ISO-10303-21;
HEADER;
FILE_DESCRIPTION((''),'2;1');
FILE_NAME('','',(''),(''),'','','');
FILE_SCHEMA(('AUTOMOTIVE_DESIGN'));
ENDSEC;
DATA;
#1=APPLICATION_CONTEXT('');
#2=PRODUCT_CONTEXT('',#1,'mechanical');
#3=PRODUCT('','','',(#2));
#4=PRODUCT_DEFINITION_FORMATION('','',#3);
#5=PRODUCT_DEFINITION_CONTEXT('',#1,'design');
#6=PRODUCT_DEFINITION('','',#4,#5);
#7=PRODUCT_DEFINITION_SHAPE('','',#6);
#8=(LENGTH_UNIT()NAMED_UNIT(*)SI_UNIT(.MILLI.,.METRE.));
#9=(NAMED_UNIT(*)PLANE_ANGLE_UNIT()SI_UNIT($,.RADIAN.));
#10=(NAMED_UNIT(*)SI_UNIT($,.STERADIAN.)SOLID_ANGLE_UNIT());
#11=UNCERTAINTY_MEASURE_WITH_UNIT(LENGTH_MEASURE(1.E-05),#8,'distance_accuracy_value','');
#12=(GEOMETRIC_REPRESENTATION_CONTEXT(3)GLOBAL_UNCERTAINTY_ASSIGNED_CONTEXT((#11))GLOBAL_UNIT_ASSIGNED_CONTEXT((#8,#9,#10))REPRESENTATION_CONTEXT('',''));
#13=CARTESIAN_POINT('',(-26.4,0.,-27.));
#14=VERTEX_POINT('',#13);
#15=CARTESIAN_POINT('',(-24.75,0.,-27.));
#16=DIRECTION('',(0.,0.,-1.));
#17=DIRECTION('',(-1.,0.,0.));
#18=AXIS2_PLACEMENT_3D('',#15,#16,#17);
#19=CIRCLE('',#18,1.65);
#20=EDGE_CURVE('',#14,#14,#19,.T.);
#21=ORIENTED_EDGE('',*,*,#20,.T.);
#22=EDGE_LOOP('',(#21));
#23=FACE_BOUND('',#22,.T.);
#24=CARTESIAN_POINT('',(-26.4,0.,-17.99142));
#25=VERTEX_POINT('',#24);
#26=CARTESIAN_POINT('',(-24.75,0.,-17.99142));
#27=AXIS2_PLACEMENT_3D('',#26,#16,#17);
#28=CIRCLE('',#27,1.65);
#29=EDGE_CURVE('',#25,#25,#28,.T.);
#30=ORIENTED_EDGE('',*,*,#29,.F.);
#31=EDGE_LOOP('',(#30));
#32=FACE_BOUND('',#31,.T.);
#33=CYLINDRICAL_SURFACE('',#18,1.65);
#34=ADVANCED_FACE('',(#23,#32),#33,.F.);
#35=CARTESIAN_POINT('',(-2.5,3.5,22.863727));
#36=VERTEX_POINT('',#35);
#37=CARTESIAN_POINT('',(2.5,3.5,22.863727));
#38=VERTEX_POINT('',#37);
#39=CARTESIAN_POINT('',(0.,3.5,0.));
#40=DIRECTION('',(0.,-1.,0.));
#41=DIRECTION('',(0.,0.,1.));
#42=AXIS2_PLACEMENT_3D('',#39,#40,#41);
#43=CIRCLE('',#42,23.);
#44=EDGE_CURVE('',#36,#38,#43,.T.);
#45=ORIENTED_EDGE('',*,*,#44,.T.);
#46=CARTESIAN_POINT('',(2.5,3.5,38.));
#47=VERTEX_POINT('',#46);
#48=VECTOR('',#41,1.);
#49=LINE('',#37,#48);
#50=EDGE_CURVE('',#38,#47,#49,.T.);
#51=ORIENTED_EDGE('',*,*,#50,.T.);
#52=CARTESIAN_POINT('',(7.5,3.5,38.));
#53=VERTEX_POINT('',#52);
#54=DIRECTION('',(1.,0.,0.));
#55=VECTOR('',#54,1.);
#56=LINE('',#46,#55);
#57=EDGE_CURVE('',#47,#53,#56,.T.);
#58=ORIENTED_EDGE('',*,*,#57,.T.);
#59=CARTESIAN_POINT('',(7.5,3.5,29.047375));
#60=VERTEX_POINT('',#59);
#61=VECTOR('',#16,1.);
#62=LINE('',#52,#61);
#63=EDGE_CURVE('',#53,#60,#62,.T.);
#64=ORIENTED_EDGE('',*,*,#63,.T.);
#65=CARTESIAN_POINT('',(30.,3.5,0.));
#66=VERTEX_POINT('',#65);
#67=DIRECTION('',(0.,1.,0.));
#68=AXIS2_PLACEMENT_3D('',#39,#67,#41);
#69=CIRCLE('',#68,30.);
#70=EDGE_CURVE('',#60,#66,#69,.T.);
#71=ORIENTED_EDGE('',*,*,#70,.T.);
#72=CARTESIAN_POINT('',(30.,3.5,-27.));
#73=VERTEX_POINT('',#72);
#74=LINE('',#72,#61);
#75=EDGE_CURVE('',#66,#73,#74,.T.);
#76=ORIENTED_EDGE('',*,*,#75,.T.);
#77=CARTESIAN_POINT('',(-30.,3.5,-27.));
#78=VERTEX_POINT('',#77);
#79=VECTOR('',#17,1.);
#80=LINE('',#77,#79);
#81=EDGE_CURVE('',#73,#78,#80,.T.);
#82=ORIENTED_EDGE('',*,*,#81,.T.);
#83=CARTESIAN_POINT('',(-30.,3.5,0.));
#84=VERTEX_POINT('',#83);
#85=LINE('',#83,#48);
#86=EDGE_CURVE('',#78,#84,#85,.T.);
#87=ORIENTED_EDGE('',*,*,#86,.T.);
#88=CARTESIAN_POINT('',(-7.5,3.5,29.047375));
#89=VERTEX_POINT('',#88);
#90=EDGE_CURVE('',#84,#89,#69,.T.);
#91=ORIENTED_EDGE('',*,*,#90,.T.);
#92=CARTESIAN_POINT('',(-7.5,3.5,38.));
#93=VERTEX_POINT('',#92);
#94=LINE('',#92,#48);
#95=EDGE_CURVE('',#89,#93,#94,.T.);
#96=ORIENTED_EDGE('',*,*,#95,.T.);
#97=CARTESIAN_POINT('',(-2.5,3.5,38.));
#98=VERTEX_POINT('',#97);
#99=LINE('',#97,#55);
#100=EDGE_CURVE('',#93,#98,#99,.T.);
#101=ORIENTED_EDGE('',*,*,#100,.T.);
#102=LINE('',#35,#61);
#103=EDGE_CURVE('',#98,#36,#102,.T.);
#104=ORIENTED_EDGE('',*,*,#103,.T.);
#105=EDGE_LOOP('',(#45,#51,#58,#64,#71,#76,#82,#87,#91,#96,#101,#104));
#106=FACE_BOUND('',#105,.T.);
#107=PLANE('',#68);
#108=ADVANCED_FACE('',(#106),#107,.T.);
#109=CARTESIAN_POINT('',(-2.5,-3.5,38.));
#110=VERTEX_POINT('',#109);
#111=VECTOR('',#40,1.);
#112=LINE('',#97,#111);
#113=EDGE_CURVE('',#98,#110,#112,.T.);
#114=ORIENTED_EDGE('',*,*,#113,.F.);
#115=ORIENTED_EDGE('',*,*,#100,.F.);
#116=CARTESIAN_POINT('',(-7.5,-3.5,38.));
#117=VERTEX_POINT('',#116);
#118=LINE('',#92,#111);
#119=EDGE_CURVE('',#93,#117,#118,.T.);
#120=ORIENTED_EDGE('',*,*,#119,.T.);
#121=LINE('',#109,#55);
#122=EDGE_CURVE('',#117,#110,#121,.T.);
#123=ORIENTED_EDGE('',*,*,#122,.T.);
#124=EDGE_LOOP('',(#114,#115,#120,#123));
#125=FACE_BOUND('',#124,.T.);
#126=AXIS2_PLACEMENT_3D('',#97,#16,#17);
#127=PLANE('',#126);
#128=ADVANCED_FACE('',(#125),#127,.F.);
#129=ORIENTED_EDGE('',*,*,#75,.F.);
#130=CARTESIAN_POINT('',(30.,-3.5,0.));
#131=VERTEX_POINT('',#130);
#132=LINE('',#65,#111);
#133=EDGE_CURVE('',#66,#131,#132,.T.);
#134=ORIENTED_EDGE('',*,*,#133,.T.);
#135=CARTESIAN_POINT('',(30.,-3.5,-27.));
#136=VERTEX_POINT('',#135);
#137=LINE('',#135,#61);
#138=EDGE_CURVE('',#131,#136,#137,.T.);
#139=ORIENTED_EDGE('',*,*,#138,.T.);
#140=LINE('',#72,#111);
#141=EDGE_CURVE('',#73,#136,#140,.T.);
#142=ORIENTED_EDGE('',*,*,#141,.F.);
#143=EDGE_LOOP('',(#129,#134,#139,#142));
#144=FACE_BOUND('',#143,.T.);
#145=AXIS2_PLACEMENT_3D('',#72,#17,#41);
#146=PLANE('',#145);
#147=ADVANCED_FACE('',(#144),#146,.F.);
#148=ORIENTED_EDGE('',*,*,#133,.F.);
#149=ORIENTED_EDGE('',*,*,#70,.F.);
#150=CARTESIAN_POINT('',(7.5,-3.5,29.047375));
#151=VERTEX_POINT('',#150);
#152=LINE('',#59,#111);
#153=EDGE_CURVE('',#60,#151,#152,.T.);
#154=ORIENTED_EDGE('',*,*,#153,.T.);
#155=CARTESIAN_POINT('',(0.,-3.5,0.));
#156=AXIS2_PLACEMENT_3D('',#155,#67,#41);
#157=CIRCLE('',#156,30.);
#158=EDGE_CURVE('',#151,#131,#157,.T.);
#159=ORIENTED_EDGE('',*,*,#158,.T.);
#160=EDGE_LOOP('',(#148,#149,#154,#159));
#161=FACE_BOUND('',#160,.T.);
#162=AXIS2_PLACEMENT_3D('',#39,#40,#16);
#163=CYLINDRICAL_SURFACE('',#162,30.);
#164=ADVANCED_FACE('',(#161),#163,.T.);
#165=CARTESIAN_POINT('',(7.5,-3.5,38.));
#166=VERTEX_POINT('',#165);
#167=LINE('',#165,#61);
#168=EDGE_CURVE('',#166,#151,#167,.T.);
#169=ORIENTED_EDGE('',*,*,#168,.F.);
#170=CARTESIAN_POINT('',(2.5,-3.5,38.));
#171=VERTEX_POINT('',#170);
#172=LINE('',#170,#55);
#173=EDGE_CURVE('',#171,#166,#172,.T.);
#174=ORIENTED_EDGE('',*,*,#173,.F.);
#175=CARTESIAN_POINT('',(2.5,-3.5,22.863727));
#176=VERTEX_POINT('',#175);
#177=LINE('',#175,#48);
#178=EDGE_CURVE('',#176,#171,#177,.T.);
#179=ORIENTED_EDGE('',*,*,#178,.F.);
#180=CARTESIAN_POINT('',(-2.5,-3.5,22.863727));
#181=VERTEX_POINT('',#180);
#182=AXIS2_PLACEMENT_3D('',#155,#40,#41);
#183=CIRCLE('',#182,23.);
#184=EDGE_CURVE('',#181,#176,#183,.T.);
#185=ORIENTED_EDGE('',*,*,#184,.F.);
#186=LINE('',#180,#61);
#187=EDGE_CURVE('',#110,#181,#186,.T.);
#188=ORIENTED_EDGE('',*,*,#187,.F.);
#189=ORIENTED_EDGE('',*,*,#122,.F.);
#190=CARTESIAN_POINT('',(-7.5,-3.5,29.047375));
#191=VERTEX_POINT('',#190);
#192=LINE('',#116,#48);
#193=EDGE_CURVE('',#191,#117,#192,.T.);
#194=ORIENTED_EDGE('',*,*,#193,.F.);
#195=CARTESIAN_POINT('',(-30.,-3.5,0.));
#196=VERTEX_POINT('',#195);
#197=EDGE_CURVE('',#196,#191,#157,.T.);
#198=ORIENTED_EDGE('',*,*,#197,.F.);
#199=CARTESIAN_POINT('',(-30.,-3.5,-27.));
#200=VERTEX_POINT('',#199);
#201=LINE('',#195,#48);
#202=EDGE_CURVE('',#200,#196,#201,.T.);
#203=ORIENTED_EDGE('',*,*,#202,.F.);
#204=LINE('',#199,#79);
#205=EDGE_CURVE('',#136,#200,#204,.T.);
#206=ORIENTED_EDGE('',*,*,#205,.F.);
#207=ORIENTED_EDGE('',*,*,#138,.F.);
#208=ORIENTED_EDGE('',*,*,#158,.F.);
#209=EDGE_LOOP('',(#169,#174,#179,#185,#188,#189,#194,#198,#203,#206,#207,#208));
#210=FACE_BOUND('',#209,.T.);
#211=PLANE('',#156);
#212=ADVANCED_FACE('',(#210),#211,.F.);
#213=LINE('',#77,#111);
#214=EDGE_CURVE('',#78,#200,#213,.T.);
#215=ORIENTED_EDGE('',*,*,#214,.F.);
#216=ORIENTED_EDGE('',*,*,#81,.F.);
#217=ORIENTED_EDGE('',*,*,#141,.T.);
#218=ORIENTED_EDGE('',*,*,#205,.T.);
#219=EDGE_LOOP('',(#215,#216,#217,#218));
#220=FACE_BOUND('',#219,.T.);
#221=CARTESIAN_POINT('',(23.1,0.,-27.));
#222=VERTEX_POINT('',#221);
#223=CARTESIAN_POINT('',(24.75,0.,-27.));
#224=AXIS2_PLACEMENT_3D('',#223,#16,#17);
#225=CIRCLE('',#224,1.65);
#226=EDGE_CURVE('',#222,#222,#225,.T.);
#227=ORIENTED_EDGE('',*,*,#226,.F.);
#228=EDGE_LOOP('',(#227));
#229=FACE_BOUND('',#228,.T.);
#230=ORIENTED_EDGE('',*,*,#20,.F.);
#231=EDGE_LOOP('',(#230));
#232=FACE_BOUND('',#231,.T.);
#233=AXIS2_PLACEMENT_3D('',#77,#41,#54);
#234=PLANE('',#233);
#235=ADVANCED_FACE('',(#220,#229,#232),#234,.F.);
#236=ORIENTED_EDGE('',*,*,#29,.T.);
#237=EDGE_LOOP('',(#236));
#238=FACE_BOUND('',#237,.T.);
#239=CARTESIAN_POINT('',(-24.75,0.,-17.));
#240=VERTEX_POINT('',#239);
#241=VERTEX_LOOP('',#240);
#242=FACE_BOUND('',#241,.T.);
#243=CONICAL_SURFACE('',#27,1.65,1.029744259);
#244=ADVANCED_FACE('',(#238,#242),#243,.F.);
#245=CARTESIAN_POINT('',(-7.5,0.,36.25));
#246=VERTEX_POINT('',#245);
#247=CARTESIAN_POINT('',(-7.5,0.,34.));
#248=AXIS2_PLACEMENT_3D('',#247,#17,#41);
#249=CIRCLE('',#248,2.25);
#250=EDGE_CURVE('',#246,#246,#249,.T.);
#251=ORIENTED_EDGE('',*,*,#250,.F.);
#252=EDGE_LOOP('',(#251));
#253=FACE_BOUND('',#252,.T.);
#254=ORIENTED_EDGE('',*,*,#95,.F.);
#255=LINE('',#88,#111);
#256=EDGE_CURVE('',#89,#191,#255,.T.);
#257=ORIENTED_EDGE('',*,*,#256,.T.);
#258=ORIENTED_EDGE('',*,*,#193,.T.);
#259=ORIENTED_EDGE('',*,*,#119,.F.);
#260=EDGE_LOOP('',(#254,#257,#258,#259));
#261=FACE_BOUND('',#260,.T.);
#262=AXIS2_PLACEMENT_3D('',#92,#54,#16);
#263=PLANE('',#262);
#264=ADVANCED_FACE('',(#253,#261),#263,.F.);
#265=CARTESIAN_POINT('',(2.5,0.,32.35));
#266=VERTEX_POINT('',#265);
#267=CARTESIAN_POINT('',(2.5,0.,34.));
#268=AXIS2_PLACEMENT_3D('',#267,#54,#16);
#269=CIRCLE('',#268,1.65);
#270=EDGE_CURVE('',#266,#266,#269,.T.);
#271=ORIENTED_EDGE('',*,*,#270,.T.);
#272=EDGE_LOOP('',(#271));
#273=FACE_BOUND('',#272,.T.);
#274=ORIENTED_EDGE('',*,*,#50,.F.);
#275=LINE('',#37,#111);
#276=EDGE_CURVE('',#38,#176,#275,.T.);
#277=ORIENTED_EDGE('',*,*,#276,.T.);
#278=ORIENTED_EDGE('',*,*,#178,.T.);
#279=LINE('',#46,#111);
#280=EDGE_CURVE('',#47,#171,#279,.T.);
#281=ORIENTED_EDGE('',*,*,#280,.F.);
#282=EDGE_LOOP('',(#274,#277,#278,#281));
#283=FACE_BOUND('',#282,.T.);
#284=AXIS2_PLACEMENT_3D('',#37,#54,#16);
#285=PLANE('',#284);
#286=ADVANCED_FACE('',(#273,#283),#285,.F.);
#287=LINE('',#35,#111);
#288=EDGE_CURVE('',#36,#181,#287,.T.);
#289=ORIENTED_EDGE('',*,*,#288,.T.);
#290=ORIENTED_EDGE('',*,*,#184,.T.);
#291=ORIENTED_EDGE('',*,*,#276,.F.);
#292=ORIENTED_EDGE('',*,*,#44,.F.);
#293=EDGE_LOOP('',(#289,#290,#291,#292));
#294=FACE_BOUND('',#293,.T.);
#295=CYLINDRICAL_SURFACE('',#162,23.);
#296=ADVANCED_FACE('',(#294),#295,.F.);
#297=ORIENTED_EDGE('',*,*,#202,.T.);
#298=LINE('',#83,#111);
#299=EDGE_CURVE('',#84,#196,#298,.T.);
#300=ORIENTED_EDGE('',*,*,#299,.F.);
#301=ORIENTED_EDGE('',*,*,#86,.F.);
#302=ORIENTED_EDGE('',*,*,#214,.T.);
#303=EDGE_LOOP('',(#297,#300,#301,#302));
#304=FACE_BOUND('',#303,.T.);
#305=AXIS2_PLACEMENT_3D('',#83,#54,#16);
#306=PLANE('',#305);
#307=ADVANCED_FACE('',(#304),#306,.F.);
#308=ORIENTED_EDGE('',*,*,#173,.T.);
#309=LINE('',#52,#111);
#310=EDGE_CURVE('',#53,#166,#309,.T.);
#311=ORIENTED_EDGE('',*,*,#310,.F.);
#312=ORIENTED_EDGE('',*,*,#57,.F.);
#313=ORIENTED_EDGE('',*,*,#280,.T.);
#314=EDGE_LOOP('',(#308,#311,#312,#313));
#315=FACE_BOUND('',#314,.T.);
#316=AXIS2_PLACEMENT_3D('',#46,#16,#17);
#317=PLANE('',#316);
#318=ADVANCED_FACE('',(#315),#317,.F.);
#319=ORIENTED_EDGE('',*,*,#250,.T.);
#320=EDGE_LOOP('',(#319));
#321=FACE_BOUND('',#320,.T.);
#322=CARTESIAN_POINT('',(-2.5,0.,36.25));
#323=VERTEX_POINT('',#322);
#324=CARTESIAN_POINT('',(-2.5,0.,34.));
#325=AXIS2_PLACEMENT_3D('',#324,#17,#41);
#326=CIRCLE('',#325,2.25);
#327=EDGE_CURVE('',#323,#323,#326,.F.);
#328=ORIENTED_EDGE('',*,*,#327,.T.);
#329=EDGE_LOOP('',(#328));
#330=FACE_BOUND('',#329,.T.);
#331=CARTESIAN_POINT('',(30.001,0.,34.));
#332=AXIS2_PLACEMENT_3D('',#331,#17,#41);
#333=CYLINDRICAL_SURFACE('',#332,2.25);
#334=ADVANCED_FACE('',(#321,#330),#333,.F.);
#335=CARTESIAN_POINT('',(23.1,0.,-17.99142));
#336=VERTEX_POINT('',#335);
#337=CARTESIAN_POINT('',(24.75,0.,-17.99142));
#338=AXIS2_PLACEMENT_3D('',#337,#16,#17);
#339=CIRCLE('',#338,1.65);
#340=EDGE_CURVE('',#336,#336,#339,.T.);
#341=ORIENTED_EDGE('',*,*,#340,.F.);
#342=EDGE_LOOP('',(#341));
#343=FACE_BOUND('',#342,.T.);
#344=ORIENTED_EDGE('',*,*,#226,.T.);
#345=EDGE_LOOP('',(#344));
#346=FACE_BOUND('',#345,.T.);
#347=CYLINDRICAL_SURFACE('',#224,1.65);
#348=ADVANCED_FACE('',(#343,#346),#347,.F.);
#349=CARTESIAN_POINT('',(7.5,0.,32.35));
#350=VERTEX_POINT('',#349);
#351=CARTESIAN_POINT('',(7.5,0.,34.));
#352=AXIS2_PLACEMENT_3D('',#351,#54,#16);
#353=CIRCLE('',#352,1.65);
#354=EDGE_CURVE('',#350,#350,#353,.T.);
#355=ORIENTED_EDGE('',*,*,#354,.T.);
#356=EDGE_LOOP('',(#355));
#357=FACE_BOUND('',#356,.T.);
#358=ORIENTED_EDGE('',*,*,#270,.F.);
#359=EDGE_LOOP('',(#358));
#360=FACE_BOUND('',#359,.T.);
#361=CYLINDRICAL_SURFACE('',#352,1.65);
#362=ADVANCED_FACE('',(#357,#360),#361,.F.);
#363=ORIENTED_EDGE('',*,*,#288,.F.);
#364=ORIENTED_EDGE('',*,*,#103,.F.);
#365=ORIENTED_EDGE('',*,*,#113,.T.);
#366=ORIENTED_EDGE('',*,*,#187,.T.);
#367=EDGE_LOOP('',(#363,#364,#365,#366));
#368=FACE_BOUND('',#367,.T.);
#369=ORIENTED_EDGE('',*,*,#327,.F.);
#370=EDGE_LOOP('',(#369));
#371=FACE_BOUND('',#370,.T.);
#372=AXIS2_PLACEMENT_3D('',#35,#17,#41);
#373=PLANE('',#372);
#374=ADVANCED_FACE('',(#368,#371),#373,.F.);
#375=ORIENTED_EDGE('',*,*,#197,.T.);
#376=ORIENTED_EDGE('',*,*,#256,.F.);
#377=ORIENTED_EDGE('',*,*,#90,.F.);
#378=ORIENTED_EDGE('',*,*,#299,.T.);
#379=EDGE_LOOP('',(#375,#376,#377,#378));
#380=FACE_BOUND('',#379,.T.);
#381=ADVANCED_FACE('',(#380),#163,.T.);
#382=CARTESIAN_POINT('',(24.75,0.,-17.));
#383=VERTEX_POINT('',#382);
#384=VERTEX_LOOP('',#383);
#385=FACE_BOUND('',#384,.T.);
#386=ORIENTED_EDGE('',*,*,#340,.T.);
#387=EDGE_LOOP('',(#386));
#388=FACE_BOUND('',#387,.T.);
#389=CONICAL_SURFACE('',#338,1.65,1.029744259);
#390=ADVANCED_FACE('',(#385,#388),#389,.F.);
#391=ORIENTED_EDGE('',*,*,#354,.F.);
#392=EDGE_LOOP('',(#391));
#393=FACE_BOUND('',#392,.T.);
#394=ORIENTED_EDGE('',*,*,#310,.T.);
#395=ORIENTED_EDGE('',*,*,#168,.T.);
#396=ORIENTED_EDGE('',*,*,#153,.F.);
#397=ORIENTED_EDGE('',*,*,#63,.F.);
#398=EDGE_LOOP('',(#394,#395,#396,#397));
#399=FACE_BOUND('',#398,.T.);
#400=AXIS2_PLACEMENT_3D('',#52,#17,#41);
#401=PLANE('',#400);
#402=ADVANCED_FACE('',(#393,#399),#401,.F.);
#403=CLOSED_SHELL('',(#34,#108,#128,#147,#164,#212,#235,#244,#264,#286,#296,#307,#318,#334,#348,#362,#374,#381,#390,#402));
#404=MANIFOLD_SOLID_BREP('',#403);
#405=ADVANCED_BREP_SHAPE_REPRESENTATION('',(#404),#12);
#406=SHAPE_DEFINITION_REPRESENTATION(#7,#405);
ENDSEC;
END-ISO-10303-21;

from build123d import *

# Parameters (mm, degrees)
BOSS_EXTRUDE1_DEPTH   = 3.5
M4_TAPPED_HOLE2_D     = 3.3
M4_TAPPED_HOLE2_DEPTH = 9.008579979
M4_TAPPED_HOLE2_TIP   = 0.991420021
CUT_EXTRUDE1_REACH    = 55.502
SKETCH4_R             = 2.25
M4_TAPPED_HOLE1_D     = 3.3
M4_TAPPED_HOLE1_DEPTH = 9.108579979
M4_TAPPED_HOLE1_TIP   = 0.991420021


with BuildPart() as part:
    # Sketch1 → Boss-Extrude1 (new, symmetric)
    with BuildSketch(Plane(origin=(0, 0, 0), x_dir=(1, 0, 0), z_dir=(0, 1, 0))):
        with BuildLine():
            Line((-30, 0), (-30, 27))
            Line((-30, 27), (30, 27))
            Line((30, 27), (30, 0))
            ThreePointArc((30, 0), (23.717082451, -18.371173071), (7.5, -29.047375097))
            Line((7.5, -29.047375097), (7.5, -38))
            Line((7.5, -38), (2.5, -38))
            Line((2.5, -38), (2.5, -22.86372673))
            ThreePointArc((2.5, -22.86372673), (0, 23), (-2.5, -22.86372673))
            Line((-2.5, -22.86372673), (-2.5, -38))
            Line((-2.5, -38), (-7.5, -38))
            Line((-7.5, -38), (-7.5, -29.047375097))
            ThreePointArc((-7.5, -29.047375097), (-23.717082451, -18.371173071), (-30, 0))
        make_face()
    extrude(amount=BOSS_EXTRUDE1_DEPTH, both=True)

    # M4 Tapped Hole2
    with Locations(Plane(origin=(-24.75, 0, -27), x_dir=(-1, 0, 0), z_dir=(0, 0, -1))):
        with Locations((0, 0), (-49.5, 0)):
            Hole(M4_TAPPED_HOLE2_D / 2, depth=M4_TAPPED_HOLE2_DEPTH)
            with Locations((0, 0, -(M4_TAPPED_HOLE2_DEPTH + M4_TAPPED_HOLE2_TIP / 2))):  # 118° drill point
                Cone(0, M4_TAPPED_HOLE2_D / 2, M4_TAPPED_HOLE2_TIP, mode=Mode.SUBTRACT)

    # Sketch4 → Cut-Extrude1 (cut, up to next)
    with BuildSketch(Plane.ZY.offset(7.5), mode=Mode.PRIVATE) as cut_extrude1_sk1:
        with Locations((34, 0)):
            Circle(SKETCH4_R)
    cut_extrude1_tool1 = extrude(cut_extrude1_sk1.sketch, amount=-CUT_EXTRUDE1_REACH, mode=Mode.PRIVATE) & part.part
    add(cut_extrude1_tool1.solids().sort_by_distance((-7.5, 0, 34))[0], mode=Mode.SUBTRACT)

    # M4 Tapped Hole1
    with Locations(Plane(origin=(7.5, 0, 34), x_dir=(0, 0, 1), z_dir=(1, 0, 0))):
        with Locations((0, 0)):
            Hole(M4_TAPPED_HOLE1_D / 2, depth=M4_TAPPED_HOLE1_DEPTH)
            with Locations((0, 0, -(M4_TAPPED_HOLE1_DEPTH + M4_TAPPED_HOLE1_TIP / 2))):  # 118° drill point
                Cone(0, M4_TAPPED_HOLE1_D / 2, M4_TAPPED_HOLE1_TIP, mode=Mode.SUBTRACT)


solid = part.part
